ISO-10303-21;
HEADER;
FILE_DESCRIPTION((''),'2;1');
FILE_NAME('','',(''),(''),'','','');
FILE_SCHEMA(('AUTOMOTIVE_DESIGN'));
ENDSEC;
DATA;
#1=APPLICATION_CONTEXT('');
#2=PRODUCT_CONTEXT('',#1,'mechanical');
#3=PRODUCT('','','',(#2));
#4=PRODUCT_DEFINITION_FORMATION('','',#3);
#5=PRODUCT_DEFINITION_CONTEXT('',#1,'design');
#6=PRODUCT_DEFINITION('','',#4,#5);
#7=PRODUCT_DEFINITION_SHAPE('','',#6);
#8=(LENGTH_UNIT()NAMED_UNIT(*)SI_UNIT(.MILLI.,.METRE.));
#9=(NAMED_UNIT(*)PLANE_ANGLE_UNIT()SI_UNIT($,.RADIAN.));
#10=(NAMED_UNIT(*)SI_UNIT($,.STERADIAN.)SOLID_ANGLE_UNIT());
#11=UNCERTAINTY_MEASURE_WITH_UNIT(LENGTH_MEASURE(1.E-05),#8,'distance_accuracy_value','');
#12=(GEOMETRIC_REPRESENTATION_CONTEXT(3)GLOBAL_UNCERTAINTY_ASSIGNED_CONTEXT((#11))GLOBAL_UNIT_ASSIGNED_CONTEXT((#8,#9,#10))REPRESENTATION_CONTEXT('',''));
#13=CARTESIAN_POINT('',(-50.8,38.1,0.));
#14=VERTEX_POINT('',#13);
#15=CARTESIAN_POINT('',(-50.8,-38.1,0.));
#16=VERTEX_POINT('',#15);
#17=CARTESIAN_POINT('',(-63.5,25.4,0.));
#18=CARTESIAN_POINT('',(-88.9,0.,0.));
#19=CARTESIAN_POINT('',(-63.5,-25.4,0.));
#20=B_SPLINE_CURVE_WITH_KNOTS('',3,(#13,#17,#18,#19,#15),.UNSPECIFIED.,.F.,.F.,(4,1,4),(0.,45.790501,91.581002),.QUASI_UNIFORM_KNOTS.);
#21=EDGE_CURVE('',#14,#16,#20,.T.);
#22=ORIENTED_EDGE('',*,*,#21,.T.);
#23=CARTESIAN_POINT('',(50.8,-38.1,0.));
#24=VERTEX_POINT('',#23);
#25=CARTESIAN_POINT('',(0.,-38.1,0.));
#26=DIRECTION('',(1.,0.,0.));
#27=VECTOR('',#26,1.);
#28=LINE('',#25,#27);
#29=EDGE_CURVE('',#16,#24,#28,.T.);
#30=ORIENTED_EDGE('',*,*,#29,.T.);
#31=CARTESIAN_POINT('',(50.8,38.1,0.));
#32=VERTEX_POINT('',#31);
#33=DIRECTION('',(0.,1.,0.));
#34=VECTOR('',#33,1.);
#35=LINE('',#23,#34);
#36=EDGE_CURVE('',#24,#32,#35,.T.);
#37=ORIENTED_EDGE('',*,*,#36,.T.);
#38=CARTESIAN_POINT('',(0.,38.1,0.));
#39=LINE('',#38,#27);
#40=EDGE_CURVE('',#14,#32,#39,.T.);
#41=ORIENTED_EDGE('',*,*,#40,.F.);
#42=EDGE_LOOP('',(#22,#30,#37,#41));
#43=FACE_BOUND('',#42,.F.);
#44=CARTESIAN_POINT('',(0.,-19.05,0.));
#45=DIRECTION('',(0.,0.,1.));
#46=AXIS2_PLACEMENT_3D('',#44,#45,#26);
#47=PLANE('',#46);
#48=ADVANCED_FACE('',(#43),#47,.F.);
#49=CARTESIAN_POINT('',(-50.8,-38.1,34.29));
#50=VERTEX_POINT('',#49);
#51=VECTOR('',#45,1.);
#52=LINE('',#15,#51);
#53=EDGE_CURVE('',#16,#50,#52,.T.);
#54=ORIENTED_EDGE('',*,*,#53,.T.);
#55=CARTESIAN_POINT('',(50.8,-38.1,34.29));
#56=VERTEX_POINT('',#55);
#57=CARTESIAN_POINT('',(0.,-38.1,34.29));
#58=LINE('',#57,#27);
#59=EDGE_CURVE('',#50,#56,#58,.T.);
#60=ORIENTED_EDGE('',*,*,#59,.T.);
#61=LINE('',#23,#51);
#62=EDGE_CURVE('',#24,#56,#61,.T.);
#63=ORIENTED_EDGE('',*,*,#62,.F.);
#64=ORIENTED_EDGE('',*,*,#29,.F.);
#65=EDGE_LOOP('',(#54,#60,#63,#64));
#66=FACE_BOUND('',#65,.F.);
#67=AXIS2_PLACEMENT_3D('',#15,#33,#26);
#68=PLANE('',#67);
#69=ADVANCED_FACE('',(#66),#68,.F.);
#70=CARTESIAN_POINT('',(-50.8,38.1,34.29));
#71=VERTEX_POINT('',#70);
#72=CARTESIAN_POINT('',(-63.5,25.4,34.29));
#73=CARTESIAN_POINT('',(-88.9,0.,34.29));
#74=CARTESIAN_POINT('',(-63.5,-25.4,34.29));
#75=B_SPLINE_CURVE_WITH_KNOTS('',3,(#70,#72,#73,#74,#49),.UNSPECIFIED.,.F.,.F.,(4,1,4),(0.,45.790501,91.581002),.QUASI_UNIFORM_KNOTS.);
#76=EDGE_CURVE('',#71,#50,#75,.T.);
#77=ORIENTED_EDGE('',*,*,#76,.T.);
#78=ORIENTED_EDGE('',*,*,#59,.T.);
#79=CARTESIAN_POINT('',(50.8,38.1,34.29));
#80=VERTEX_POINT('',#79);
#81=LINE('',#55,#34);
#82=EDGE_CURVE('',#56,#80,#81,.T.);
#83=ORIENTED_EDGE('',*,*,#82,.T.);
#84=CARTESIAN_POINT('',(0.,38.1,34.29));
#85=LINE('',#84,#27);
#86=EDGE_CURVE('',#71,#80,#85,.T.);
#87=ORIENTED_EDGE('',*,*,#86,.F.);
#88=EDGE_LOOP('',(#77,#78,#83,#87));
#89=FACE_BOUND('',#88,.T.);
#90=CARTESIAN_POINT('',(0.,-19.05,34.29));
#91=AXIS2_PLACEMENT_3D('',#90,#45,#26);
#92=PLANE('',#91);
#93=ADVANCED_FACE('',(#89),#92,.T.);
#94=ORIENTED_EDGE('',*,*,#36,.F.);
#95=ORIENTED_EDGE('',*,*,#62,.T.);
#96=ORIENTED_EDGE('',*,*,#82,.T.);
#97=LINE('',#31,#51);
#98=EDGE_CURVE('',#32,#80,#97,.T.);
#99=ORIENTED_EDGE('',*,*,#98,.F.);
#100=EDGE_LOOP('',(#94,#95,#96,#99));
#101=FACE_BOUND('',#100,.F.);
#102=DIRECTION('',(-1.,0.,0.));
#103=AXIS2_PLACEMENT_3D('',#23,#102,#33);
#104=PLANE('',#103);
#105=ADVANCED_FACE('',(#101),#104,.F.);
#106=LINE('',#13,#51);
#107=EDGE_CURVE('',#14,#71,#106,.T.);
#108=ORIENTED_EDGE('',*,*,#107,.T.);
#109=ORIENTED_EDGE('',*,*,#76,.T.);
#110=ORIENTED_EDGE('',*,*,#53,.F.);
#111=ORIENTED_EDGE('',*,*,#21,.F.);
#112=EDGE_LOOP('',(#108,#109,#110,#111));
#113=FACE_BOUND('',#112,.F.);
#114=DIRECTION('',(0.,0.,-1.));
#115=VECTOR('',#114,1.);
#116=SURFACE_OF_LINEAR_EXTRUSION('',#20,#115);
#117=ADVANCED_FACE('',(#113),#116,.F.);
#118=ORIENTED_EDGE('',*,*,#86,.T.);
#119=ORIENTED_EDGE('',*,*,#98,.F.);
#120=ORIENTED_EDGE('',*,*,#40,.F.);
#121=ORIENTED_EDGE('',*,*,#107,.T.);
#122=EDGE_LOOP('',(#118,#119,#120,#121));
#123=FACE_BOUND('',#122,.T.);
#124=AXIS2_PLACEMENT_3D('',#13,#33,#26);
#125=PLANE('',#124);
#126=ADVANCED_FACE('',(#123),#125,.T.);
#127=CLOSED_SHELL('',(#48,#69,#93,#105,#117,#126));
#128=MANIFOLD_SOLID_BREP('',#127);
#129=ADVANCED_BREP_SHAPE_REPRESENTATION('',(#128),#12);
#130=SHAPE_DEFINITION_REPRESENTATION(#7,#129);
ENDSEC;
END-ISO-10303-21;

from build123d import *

# Parameters (mm, degrees)
F0_W     = 101.6
F0_H     = 38.1
F1_DEPTH = 34.29


with BuildPart() as f1:
    # F0 (on Top) → F1 (new body)
    with BuildSketch(Plane.XY):
        with Locations((0, -19.05)):
            Rectangle(F0_W, F0_H)
        with BuildLine():
            add(Edge.make_bspline(
                [(-76.2, 0), (-76.2, -12.7), (-63.5, -25.4), (-50.8, -38.1)],
                knots=[45.790501, 45.790501, 45.790501, 45.790501, 91.581002, 91.581002, 91.581002, 91.581002], degree=3))
            Line((-50.8, -38.1), (-50.8, 0))
            Line((-50.8, 0), (-76.2, 0))
        make_face()
        with Locations((0, 19.05)):
            Rectangle(F0_W, F0_H)
        with BuildLine():
            Line((-76.2, 0), (-50.8, 0))
            Line((-50.8, 0), (-50.8, 38.1))
            add(Edge.make_bspline(
                [(-50.8, 38.1), (-63.5, 25.4), (-76.2, 12.7), (-76.2, 0)],
                knots=[0, 0, 0, 0, 45.790501, 45.790501, 45.790501, 45.790501], degree=3))
        make_face()
    extrude(amount=F1_DEPTH)


solid = f1.part
